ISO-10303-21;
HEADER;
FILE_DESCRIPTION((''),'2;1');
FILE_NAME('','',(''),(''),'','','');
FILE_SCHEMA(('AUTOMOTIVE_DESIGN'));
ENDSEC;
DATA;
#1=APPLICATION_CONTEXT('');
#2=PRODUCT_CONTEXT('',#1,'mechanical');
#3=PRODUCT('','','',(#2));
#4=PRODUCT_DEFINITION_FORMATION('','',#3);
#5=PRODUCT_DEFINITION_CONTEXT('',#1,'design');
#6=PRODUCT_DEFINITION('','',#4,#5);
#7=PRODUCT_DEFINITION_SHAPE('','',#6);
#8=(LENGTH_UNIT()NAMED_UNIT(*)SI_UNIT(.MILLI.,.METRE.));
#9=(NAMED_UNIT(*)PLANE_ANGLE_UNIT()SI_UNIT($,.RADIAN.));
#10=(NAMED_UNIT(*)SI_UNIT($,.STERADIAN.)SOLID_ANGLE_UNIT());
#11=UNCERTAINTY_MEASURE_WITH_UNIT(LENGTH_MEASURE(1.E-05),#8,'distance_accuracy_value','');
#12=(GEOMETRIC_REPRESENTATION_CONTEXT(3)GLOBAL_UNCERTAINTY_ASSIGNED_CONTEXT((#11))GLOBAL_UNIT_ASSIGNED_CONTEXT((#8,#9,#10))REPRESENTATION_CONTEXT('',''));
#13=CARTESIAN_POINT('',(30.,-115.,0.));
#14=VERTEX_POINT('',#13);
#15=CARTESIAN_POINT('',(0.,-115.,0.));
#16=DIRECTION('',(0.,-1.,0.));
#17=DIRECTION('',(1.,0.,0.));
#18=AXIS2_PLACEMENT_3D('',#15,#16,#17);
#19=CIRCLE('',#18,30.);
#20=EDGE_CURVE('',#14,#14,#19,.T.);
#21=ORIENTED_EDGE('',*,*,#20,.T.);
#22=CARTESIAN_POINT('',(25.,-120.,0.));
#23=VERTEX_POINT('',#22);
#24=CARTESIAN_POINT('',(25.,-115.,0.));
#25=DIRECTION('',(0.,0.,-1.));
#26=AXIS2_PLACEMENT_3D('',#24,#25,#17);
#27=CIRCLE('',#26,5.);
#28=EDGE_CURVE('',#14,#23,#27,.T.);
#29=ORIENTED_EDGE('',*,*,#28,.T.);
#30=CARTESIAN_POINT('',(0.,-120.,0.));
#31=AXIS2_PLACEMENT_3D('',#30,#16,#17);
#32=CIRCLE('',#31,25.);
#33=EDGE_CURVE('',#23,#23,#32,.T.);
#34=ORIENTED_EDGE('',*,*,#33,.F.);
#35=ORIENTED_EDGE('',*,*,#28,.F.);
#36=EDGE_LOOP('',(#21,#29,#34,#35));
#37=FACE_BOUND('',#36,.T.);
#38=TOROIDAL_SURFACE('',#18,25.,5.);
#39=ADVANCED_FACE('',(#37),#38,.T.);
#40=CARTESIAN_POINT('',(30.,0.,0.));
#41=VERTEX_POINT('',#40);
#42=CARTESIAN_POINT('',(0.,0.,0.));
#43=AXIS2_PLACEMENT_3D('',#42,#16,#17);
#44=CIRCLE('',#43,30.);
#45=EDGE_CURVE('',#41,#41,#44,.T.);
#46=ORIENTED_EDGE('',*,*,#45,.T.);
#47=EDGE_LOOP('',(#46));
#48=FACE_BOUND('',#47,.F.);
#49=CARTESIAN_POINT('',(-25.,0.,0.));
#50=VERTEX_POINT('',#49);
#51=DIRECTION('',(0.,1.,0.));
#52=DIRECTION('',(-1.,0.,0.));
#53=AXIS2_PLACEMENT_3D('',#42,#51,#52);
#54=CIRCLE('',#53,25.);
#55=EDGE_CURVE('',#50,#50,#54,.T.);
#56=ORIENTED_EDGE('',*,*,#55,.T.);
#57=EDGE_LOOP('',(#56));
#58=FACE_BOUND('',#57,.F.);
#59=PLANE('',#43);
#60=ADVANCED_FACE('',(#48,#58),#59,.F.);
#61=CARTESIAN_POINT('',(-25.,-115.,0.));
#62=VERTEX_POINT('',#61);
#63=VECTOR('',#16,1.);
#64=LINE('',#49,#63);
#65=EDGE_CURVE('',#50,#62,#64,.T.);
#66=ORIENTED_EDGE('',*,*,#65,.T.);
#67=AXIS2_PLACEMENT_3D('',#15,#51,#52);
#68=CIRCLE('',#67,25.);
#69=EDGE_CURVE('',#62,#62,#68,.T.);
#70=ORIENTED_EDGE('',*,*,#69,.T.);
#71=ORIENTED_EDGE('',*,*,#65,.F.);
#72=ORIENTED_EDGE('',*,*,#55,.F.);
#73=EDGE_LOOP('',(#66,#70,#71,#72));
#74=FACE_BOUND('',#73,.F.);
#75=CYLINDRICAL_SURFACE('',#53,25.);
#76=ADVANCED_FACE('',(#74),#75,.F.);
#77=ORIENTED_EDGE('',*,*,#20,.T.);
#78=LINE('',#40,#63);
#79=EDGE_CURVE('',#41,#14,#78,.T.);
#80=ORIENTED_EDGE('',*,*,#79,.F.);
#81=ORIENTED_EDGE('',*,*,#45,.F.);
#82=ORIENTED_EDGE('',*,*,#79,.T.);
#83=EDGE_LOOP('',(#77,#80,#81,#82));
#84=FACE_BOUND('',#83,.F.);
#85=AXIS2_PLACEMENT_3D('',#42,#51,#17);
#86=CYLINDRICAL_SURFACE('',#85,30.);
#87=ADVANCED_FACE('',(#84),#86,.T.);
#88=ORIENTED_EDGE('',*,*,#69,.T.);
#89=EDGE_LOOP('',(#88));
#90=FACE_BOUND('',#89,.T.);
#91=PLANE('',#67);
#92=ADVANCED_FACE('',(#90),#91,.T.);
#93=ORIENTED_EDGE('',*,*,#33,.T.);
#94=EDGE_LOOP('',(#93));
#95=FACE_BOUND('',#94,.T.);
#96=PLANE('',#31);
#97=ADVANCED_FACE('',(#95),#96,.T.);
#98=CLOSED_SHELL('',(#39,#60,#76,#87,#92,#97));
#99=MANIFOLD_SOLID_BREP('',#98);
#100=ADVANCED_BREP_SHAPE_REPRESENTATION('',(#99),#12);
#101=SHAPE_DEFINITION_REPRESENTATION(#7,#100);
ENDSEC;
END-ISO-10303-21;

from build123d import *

# Parameters (mm, degrees)
F0_R     = 30
F1_DEPTH = 120
F2_R     = 25
F3_DEPTH = 115
F4_R     = 5


with BuildPart() as f1:
    # F0 (on Front) → F1 (new body)
    with BuildSketch(Plane.XZ):
        Circle(F0_R)
    extrude(amount=F1_DEPTH)

    # F2 (on face) → F3 (cut)
    with BuildSketch(Plane(origin=(0, 0, 0), x_dir=(-1, 0, 0), z_dir=(0, 1, 0))):
        Circle(F2_R)
    extrude(amount=-F3_DEPTH, mode=Mode.SUBTRACT)

    # F4
    f4_edges = [f1.edges().sort_by_distance(p)[0] for p in [
        (-30, -120, 0),
    ]]
    fillet(f4_edges, radius=F4_R)


solid = f1.part
